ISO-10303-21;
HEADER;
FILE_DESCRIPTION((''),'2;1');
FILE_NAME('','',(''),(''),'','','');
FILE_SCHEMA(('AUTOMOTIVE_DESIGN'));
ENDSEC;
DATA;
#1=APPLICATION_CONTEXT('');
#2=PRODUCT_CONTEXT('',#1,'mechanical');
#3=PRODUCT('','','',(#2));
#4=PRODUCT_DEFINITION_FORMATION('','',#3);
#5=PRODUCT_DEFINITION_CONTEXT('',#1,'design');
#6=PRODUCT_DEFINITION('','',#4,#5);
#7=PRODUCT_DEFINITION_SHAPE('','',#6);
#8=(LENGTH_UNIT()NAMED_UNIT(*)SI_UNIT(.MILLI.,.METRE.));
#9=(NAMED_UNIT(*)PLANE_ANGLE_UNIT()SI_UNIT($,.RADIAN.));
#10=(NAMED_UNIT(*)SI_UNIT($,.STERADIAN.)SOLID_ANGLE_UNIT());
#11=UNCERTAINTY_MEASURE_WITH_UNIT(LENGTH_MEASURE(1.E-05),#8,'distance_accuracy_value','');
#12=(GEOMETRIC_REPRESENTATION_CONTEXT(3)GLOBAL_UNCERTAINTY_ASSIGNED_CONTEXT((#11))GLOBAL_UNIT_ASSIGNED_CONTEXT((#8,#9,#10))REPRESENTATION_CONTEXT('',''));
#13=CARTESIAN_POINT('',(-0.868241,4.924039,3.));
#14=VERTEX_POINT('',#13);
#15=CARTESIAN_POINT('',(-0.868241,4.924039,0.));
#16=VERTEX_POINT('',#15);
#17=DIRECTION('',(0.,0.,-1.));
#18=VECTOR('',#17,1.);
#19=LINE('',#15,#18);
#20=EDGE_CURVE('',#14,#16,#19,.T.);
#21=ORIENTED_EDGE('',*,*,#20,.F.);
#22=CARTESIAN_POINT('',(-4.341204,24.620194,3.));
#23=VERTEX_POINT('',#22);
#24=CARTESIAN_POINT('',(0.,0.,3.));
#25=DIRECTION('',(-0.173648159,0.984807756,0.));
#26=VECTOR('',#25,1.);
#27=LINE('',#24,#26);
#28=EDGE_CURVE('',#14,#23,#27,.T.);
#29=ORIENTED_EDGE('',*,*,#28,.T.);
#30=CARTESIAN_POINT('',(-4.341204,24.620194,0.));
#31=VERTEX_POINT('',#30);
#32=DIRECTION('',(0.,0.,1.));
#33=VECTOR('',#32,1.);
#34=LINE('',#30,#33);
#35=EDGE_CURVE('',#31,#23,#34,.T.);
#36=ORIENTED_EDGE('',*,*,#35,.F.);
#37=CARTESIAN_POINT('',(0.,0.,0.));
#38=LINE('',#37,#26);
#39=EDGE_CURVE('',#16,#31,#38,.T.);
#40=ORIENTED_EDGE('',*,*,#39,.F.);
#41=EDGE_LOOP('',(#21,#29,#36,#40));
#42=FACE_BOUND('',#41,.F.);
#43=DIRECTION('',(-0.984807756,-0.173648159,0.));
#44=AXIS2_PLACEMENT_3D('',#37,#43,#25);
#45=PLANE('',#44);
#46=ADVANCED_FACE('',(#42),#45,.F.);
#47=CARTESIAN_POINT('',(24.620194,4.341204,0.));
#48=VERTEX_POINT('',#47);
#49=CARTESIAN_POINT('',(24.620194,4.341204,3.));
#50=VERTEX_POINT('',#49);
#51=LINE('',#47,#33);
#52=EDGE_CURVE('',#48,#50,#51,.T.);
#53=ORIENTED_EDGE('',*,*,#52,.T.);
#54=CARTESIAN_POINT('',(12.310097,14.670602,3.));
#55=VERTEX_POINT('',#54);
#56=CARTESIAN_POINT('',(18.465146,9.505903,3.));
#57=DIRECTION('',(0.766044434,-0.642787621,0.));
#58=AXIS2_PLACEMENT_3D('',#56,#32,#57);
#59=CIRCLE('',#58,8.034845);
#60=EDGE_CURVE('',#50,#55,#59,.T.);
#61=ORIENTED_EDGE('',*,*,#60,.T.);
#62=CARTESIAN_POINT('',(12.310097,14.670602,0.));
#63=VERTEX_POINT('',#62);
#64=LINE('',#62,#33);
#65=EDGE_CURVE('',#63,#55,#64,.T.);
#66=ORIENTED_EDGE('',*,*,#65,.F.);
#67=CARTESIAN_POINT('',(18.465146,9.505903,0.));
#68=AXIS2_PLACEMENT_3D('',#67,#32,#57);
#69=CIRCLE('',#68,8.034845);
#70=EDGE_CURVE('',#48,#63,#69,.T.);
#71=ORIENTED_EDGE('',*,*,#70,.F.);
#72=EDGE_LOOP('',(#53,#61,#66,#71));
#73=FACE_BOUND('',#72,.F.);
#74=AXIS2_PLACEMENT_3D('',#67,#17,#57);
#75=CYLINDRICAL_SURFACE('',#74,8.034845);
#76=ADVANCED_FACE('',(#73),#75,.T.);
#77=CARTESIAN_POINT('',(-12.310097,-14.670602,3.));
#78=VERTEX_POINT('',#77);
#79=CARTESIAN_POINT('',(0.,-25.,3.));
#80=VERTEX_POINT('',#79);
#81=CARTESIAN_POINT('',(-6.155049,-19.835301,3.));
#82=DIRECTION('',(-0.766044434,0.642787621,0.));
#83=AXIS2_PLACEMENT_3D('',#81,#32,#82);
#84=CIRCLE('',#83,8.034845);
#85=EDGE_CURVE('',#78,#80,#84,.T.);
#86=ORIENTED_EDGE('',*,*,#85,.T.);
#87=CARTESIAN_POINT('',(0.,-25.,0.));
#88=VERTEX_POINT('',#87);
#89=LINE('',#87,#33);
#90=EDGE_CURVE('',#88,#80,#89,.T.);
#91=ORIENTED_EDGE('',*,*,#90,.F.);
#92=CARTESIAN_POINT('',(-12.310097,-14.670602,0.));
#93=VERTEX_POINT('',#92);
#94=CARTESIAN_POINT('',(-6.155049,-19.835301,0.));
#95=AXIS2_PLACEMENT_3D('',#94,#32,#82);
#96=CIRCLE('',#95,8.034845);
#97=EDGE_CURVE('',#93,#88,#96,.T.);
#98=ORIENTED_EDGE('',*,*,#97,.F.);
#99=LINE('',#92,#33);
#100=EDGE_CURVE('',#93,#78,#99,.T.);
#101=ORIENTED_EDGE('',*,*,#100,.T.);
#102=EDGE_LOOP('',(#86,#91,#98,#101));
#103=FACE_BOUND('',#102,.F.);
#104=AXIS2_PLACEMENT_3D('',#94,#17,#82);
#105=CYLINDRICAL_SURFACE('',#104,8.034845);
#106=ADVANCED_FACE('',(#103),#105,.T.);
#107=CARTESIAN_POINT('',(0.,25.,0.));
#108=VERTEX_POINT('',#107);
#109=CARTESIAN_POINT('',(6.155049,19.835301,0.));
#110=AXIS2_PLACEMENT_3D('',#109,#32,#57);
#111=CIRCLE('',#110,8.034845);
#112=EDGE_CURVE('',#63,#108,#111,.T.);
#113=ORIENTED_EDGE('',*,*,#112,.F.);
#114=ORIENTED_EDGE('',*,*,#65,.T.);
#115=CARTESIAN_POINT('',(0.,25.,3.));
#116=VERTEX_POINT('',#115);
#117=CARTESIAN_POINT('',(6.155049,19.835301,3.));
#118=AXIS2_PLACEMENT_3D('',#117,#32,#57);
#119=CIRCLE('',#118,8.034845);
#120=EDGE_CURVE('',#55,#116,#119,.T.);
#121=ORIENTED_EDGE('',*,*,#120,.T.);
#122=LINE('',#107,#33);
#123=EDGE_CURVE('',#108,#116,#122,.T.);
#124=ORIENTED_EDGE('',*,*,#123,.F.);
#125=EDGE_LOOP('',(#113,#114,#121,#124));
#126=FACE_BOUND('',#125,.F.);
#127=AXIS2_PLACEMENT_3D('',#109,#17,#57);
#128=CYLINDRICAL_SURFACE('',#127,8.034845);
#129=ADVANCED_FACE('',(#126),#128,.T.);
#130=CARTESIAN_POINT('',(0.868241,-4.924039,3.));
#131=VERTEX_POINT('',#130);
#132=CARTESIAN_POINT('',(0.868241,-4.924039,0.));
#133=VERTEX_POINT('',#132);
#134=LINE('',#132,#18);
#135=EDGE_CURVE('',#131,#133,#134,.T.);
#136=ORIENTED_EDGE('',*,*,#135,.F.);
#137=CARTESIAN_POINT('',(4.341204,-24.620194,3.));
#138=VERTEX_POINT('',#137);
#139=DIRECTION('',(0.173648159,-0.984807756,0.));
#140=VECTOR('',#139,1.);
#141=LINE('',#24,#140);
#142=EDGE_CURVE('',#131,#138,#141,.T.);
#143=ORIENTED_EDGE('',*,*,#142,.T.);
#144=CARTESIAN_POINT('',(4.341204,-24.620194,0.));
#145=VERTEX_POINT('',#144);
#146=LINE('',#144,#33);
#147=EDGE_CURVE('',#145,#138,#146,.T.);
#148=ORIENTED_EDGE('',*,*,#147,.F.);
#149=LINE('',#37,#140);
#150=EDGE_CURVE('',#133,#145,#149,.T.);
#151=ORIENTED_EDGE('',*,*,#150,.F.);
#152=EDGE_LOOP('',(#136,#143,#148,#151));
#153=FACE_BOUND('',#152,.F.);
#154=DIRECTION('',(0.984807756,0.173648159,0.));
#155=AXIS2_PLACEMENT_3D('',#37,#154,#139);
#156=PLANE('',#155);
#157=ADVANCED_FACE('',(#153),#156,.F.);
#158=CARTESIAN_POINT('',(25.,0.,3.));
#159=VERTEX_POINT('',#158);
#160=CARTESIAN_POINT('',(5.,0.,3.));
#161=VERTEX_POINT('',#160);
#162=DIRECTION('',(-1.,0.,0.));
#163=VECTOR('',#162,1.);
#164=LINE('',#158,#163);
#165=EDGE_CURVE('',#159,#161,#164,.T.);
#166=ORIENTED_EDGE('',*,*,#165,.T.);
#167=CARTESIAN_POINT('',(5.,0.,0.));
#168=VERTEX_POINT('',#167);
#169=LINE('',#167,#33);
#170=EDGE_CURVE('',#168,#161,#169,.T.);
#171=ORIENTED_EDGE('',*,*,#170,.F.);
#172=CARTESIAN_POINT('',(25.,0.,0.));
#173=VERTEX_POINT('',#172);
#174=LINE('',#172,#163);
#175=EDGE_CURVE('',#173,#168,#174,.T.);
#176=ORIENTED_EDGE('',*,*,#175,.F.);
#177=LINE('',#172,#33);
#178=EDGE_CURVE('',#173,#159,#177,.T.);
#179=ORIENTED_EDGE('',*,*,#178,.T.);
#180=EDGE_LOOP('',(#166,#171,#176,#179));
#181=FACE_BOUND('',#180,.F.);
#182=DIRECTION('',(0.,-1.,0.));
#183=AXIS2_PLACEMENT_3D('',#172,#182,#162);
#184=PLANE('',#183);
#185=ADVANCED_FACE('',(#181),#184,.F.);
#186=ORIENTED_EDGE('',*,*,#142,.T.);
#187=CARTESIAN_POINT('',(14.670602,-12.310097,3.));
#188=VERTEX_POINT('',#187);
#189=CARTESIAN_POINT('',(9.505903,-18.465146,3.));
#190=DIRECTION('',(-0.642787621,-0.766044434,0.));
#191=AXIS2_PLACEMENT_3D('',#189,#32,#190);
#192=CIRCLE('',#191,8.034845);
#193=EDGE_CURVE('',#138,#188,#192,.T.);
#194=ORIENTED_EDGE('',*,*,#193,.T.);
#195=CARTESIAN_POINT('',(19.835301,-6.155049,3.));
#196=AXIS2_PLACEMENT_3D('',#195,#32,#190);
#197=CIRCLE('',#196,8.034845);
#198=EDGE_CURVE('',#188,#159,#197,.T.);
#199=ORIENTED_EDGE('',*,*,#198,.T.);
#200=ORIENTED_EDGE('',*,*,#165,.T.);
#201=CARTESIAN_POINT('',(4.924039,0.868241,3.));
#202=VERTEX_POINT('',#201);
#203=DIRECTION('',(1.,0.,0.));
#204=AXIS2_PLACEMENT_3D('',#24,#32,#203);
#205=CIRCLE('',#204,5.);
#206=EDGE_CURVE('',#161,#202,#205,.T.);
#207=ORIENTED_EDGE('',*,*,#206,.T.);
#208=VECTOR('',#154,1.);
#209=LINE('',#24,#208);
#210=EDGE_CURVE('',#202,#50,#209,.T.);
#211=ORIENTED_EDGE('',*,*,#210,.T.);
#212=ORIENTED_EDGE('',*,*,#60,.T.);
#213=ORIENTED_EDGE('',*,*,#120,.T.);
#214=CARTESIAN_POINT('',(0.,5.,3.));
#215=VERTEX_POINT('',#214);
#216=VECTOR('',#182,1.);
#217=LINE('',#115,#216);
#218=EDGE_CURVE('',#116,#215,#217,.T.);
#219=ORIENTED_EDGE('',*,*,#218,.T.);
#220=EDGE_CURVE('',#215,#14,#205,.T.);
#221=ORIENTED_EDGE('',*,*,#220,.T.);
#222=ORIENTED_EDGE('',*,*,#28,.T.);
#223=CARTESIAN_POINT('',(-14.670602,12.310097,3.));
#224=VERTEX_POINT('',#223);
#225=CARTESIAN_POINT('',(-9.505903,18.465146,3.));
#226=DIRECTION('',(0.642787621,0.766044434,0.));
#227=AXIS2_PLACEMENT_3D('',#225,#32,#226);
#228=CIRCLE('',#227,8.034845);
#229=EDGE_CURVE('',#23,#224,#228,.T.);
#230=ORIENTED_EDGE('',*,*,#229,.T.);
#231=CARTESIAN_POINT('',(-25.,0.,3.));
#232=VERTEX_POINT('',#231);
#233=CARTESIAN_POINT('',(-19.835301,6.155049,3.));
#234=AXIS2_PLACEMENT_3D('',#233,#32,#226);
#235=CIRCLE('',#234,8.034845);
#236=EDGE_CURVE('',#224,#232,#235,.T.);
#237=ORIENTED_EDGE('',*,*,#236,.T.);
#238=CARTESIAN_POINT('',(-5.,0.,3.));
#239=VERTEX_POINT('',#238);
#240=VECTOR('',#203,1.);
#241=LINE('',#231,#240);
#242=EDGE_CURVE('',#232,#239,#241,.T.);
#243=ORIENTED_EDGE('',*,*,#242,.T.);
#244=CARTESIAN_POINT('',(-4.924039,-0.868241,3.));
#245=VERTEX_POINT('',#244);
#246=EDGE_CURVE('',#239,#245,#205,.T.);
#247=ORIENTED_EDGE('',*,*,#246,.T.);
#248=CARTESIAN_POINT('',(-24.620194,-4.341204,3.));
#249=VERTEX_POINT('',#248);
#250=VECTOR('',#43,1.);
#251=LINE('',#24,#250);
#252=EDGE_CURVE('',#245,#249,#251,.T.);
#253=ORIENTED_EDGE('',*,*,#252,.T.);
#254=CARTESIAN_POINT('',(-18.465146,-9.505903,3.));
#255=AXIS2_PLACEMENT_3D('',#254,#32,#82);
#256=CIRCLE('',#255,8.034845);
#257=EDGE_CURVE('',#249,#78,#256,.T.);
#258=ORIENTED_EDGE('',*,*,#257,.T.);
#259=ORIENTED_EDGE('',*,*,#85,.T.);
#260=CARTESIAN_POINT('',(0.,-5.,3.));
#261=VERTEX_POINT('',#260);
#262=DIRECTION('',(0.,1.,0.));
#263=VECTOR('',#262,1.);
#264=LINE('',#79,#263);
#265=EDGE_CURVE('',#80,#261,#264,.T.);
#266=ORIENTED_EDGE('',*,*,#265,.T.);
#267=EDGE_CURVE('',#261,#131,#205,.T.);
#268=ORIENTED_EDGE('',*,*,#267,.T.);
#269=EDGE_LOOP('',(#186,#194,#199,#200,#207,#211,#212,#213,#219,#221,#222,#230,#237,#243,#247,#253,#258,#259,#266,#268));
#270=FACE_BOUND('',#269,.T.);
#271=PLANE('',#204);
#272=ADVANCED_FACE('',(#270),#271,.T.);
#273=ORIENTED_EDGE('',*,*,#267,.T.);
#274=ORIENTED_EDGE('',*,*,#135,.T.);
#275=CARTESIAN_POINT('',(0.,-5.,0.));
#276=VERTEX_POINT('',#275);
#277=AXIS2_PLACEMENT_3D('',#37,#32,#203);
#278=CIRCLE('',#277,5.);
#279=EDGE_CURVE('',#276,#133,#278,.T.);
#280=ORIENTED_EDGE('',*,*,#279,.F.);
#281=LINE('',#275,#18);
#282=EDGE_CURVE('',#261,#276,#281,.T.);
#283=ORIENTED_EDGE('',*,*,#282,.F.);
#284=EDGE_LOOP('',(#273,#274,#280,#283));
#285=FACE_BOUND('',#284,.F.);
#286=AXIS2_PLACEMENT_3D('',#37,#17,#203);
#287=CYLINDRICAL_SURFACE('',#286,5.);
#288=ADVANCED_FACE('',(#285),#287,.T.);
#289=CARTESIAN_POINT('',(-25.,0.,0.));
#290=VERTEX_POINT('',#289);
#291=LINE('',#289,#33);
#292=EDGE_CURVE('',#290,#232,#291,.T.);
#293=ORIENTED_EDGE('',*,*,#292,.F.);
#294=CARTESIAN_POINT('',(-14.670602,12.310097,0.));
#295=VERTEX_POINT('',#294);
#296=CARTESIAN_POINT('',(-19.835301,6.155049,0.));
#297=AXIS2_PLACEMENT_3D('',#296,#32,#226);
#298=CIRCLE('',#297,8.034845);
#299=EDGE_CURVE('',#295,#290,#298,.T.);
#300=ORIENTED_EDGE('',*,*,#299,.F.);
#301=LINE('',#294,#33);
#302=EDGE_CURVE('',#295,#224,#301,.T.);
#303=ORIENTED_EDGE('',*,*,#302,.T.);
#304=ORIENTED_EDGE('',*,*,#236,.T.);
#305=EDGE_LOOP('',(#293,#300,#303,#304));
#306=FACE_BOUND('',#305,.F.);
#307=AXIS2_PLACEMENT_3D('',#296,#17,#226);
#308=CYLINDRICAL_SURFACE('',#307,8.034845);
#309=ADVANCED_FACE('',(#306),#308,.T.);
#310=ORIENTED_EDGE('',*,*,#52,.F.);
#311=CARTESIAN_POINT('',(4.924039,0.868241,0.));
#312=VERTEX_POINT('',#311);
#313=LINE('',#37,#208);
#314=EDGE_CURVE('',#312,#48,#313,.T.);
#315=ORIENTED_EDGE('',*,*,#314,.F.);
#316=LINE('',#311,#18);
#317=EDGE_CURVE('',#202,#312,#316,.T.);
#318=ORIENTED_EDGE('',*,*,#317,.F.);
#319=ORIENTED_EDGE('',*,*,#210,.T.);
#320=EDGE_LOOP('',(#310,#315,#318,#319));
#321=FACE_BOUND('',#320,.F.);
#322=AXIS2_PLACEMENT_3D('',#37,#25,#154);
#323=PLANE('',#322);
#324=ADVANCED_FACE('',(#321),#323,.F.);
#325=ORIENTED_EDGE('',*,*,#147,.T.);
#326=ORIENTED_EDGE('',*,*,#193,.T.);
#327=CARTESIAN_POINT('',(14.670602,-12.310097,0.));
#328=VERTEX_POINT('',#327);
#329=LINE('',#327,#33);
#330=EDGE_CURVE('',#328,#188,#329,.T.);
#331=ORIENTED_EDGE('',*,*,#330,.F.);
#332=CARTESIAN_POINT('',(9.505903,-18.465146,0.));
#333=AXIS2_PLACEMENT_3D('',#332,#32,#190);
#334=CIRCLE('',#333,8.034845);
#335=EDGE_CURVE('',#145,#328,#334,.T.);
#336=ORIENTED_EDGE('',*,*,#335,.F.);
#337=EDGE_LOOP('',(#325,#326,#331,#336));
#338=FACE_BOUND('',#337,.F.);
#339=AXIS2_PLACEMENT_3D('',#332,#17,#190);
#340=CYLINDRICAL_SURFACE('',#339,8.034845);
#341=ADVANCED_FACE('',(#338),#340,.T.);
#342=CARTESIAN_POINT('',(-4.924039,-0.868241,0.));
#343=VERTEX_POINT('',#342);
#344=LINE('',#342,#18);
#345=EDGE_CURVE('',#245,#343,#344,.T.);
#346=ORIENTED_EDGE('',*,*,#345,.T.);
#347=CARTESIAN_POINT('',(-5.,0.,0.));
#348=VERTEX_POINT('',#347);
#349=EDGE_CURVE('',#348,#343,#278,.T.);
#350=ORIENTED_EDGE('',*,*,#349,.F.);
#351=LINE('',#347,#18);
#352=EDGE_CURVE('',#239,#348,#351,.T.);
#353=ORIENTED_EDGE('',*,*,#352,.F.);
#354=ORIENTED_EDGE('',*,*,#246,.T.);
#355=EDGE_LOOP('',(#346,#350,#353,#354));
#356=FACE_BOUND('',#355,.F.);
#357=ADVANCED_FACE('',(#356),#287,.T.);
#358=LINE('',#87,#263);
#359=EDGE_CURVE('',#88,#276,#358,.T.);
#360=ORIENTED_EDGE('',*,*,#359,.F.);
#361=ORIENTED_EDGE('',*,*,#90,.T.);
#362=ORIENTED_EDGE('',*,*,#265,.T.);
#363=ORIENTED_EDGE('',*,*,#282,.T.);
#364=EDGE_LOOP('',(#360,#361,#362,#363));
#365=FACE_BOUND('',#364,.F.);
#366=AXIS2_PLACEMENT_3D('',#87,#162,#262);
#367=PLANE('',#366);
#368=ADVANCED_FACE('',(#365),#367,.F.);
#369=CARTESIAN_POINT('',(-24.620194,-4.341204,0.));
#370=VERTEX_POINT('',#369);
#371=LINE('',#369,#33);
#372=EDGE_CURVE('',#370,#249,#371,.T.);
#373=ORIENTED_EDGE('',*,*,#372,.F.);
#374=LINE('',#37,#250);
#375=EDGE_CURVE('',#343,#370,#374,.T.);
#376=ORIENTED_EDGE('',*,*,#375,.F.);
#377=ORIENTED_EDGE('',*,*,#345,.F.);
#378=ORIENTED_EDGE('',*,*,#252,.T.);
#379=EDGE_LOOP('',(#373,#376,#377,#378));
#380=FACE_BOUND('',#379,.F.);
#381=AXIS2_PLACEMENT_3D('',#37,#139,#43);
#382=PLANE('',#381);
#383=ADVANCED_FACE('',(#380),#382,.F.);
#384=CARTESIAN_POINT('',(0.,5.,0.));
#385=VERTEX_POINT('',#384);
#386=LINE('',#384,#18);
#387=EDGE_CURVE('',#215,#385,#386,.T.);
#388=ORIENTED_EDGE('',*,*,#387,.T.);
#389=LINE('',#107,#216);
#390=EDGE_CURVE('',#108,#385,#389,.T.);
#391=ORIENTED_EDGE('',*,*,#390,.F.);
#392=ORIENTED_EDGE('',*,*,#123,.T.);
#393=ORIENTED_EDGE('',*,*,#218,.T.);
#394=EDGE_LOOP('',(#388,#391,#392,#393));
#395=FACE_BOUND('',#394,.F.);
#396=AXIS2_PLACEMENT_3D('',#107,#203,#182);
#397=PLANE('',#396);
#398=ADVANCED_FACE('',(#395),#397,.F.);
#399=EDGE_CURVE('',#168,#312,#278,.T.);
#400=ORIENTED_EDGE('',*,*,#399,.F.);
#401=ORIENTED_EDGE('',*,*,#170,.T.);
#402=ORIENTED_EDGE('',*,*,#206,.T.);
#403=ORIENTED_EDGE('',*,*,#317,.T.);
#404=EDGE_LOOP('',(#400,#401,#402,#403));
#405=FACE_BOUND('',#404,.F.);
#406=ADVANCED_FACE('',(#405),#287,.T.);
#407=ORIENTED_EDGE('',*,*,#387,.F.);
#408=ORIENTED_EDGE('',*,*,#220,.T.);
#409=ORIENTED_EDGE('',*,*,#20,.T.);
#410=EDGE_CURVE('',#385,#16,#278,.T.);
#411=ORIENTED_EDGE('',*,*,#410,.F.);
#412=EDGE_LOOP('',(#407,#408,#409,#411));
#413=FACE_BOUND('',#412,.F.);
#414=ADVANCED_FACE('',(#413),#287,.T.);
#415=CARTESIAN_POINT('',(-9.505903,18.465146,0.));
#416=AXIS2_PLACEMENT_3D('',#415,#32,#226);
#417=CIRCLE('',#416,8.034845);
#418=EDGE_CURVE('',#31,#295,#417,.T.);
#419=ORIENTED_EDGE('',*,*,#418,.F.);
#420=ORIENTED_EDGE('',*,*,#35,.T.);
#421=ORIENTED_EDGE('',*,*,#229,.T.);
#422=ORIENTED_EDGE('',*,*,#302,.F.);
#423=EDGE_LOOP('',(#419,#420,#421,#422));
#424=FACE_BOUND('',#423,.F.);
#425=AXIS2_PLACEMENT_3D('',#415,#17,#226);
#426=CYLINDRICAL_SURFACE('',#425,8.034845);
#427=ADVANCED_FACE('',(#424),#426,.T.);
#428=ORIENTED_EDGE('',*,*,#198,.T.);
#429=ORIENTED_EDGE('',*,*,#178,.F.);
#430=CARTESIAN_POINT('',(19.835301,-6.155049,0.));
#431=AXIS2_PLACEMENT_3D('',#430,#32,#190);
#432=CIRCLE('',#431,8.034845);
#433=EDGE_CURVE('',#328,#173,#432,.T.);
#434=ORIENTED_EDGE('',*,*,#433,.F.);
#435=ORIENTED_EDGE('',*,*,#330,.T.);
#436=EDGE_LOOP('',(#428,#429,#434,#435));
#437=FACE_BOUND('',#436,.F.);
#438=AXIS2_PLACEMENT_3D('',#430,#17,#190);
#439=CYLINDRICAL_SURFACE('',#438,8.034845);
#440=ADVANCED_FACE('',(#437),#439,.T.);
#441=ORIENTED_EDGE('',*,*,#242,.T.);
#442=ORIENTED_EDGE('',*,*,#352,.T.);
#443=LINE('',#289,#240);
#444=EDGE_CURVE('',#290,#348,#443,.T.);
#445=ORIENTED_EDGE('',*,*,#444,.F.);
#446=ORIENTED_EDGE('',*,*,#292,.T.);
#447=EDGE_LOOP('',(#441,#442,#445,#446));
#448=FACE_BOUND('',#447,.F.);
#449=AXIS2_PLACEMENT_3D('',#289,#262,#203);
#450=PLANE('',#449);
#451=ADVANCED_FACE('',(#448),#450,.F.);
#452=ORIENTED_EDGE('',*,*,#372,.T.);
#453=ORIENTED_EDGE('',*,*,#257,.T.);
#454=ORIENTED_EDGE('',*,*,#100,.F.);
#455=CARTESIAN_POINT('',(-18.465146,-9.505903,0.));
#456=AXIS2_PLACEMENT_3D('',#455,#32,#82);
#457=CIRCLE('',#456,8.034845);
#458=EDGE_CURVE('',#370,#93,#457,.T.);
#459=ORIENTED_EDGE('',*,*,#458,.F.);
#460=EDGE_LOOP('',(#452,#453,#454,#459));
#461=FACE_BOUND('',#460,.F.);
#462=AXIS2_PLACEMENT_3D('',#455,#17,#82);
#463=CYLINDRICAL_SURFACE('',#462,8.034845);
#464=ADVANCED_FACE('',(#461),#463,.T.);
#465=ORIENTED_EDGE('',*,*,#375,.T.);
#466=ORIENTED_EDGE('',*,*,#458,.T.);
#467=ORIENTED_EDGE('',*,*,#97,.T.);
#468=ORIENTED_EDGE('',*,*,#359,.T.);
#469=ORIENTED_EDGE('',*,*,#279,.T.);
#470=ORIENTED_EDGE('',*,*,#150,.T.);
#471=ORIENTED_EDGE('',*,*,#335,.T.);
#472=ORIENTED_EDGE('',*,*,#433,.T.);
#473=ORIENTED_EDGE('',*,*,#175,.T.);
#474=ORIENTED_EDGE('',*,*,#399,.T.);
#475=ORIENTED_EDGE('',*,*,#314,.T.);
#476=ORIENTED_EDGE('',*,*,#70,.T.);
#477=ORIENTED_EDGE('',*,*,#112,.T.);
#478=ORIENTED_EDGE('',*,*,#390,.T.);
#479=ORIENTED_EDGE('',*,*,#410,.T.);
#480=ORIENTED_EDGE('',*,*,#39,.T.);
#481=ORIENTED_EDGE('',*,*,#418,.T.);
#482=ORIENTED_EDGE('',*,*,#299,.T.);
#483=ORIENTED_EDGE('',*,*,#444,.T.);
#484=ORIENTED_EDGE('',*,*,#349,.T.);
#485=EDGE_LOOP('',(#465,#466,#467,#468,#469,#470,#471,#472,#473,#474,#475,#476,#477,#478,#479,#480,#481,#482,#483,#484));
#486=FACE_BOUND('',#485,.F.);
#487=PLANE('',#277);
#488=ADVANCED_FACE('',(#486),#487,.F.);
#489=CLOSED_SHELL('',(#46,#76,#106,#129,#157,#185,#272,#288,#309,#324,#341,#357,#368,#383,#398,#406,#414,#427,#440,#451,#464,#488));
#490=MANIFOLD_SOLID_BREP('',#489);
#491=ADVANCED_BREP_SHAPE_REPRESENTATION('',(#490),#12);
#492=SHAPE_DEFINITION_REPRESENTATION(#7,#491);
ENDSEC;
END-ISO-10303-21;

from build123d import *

# Parameters (mm, degrees)
F1_DEPTH = 3
F2_COUNT = 4
F2_ANGLE = 270
F3_R     = 5
F4_DEPTH = 3


with BuildPart() as f1:
    # F0 (on Top) → F1 (new body)
    with BuildSketch(Plane.XY):
        with BuildLine():
            Line((0, 25), (0, 0))
            Line((0, 0), (24.620194, 4.341204))
            ThreePointArc((24.620194, 4.341204), (23.629844, 15.660952), (12.310097, 14.670602))
            ThreePointArc((12.310097, 14.670602), (11.319747, 25.99035), (0, 25))
        make_face()
    extrude(amount=F1_DEPTH)



with BuildPart() as f2_1:
    # F2: instance of F1
    add(f1.part.rotate(Axis((0, 0, 1.5), (0, 0, 1)), 1 * F2_ANGLE / (F2_COUNT - 1)))


with BuildPart() as f2_2:
    # F2: instance of F1
    add(f1.part.rotate(Axis((0, 0, 1.5), (0, 0, 1)), 2 * F2_ANGLE / (F2_COUNT - 1)))


with BuildPart() as f2_3:
    # F2: instance of F1
    add(f1.part.rotate(Axis((0, 0, 1.5), (0, 0, 1)), 3 * F2_ANGLE / (F2_COUNT - 1)))


with BuildPart() as f1_1:
    add(f1.part)

    add(f2_1.part)  # F4 merges F2_1

    add(f2_2.part)  # F4 merges F2_2

    add(f2_3.part)  # F4 merges F2_3
    # F3 (on Top) → F4 (join)
    with BuildSketch(Plane.XY):
        Circle(F3_R)
    extrude(amount=F4_DEPTH)


solid = f1_1.part
